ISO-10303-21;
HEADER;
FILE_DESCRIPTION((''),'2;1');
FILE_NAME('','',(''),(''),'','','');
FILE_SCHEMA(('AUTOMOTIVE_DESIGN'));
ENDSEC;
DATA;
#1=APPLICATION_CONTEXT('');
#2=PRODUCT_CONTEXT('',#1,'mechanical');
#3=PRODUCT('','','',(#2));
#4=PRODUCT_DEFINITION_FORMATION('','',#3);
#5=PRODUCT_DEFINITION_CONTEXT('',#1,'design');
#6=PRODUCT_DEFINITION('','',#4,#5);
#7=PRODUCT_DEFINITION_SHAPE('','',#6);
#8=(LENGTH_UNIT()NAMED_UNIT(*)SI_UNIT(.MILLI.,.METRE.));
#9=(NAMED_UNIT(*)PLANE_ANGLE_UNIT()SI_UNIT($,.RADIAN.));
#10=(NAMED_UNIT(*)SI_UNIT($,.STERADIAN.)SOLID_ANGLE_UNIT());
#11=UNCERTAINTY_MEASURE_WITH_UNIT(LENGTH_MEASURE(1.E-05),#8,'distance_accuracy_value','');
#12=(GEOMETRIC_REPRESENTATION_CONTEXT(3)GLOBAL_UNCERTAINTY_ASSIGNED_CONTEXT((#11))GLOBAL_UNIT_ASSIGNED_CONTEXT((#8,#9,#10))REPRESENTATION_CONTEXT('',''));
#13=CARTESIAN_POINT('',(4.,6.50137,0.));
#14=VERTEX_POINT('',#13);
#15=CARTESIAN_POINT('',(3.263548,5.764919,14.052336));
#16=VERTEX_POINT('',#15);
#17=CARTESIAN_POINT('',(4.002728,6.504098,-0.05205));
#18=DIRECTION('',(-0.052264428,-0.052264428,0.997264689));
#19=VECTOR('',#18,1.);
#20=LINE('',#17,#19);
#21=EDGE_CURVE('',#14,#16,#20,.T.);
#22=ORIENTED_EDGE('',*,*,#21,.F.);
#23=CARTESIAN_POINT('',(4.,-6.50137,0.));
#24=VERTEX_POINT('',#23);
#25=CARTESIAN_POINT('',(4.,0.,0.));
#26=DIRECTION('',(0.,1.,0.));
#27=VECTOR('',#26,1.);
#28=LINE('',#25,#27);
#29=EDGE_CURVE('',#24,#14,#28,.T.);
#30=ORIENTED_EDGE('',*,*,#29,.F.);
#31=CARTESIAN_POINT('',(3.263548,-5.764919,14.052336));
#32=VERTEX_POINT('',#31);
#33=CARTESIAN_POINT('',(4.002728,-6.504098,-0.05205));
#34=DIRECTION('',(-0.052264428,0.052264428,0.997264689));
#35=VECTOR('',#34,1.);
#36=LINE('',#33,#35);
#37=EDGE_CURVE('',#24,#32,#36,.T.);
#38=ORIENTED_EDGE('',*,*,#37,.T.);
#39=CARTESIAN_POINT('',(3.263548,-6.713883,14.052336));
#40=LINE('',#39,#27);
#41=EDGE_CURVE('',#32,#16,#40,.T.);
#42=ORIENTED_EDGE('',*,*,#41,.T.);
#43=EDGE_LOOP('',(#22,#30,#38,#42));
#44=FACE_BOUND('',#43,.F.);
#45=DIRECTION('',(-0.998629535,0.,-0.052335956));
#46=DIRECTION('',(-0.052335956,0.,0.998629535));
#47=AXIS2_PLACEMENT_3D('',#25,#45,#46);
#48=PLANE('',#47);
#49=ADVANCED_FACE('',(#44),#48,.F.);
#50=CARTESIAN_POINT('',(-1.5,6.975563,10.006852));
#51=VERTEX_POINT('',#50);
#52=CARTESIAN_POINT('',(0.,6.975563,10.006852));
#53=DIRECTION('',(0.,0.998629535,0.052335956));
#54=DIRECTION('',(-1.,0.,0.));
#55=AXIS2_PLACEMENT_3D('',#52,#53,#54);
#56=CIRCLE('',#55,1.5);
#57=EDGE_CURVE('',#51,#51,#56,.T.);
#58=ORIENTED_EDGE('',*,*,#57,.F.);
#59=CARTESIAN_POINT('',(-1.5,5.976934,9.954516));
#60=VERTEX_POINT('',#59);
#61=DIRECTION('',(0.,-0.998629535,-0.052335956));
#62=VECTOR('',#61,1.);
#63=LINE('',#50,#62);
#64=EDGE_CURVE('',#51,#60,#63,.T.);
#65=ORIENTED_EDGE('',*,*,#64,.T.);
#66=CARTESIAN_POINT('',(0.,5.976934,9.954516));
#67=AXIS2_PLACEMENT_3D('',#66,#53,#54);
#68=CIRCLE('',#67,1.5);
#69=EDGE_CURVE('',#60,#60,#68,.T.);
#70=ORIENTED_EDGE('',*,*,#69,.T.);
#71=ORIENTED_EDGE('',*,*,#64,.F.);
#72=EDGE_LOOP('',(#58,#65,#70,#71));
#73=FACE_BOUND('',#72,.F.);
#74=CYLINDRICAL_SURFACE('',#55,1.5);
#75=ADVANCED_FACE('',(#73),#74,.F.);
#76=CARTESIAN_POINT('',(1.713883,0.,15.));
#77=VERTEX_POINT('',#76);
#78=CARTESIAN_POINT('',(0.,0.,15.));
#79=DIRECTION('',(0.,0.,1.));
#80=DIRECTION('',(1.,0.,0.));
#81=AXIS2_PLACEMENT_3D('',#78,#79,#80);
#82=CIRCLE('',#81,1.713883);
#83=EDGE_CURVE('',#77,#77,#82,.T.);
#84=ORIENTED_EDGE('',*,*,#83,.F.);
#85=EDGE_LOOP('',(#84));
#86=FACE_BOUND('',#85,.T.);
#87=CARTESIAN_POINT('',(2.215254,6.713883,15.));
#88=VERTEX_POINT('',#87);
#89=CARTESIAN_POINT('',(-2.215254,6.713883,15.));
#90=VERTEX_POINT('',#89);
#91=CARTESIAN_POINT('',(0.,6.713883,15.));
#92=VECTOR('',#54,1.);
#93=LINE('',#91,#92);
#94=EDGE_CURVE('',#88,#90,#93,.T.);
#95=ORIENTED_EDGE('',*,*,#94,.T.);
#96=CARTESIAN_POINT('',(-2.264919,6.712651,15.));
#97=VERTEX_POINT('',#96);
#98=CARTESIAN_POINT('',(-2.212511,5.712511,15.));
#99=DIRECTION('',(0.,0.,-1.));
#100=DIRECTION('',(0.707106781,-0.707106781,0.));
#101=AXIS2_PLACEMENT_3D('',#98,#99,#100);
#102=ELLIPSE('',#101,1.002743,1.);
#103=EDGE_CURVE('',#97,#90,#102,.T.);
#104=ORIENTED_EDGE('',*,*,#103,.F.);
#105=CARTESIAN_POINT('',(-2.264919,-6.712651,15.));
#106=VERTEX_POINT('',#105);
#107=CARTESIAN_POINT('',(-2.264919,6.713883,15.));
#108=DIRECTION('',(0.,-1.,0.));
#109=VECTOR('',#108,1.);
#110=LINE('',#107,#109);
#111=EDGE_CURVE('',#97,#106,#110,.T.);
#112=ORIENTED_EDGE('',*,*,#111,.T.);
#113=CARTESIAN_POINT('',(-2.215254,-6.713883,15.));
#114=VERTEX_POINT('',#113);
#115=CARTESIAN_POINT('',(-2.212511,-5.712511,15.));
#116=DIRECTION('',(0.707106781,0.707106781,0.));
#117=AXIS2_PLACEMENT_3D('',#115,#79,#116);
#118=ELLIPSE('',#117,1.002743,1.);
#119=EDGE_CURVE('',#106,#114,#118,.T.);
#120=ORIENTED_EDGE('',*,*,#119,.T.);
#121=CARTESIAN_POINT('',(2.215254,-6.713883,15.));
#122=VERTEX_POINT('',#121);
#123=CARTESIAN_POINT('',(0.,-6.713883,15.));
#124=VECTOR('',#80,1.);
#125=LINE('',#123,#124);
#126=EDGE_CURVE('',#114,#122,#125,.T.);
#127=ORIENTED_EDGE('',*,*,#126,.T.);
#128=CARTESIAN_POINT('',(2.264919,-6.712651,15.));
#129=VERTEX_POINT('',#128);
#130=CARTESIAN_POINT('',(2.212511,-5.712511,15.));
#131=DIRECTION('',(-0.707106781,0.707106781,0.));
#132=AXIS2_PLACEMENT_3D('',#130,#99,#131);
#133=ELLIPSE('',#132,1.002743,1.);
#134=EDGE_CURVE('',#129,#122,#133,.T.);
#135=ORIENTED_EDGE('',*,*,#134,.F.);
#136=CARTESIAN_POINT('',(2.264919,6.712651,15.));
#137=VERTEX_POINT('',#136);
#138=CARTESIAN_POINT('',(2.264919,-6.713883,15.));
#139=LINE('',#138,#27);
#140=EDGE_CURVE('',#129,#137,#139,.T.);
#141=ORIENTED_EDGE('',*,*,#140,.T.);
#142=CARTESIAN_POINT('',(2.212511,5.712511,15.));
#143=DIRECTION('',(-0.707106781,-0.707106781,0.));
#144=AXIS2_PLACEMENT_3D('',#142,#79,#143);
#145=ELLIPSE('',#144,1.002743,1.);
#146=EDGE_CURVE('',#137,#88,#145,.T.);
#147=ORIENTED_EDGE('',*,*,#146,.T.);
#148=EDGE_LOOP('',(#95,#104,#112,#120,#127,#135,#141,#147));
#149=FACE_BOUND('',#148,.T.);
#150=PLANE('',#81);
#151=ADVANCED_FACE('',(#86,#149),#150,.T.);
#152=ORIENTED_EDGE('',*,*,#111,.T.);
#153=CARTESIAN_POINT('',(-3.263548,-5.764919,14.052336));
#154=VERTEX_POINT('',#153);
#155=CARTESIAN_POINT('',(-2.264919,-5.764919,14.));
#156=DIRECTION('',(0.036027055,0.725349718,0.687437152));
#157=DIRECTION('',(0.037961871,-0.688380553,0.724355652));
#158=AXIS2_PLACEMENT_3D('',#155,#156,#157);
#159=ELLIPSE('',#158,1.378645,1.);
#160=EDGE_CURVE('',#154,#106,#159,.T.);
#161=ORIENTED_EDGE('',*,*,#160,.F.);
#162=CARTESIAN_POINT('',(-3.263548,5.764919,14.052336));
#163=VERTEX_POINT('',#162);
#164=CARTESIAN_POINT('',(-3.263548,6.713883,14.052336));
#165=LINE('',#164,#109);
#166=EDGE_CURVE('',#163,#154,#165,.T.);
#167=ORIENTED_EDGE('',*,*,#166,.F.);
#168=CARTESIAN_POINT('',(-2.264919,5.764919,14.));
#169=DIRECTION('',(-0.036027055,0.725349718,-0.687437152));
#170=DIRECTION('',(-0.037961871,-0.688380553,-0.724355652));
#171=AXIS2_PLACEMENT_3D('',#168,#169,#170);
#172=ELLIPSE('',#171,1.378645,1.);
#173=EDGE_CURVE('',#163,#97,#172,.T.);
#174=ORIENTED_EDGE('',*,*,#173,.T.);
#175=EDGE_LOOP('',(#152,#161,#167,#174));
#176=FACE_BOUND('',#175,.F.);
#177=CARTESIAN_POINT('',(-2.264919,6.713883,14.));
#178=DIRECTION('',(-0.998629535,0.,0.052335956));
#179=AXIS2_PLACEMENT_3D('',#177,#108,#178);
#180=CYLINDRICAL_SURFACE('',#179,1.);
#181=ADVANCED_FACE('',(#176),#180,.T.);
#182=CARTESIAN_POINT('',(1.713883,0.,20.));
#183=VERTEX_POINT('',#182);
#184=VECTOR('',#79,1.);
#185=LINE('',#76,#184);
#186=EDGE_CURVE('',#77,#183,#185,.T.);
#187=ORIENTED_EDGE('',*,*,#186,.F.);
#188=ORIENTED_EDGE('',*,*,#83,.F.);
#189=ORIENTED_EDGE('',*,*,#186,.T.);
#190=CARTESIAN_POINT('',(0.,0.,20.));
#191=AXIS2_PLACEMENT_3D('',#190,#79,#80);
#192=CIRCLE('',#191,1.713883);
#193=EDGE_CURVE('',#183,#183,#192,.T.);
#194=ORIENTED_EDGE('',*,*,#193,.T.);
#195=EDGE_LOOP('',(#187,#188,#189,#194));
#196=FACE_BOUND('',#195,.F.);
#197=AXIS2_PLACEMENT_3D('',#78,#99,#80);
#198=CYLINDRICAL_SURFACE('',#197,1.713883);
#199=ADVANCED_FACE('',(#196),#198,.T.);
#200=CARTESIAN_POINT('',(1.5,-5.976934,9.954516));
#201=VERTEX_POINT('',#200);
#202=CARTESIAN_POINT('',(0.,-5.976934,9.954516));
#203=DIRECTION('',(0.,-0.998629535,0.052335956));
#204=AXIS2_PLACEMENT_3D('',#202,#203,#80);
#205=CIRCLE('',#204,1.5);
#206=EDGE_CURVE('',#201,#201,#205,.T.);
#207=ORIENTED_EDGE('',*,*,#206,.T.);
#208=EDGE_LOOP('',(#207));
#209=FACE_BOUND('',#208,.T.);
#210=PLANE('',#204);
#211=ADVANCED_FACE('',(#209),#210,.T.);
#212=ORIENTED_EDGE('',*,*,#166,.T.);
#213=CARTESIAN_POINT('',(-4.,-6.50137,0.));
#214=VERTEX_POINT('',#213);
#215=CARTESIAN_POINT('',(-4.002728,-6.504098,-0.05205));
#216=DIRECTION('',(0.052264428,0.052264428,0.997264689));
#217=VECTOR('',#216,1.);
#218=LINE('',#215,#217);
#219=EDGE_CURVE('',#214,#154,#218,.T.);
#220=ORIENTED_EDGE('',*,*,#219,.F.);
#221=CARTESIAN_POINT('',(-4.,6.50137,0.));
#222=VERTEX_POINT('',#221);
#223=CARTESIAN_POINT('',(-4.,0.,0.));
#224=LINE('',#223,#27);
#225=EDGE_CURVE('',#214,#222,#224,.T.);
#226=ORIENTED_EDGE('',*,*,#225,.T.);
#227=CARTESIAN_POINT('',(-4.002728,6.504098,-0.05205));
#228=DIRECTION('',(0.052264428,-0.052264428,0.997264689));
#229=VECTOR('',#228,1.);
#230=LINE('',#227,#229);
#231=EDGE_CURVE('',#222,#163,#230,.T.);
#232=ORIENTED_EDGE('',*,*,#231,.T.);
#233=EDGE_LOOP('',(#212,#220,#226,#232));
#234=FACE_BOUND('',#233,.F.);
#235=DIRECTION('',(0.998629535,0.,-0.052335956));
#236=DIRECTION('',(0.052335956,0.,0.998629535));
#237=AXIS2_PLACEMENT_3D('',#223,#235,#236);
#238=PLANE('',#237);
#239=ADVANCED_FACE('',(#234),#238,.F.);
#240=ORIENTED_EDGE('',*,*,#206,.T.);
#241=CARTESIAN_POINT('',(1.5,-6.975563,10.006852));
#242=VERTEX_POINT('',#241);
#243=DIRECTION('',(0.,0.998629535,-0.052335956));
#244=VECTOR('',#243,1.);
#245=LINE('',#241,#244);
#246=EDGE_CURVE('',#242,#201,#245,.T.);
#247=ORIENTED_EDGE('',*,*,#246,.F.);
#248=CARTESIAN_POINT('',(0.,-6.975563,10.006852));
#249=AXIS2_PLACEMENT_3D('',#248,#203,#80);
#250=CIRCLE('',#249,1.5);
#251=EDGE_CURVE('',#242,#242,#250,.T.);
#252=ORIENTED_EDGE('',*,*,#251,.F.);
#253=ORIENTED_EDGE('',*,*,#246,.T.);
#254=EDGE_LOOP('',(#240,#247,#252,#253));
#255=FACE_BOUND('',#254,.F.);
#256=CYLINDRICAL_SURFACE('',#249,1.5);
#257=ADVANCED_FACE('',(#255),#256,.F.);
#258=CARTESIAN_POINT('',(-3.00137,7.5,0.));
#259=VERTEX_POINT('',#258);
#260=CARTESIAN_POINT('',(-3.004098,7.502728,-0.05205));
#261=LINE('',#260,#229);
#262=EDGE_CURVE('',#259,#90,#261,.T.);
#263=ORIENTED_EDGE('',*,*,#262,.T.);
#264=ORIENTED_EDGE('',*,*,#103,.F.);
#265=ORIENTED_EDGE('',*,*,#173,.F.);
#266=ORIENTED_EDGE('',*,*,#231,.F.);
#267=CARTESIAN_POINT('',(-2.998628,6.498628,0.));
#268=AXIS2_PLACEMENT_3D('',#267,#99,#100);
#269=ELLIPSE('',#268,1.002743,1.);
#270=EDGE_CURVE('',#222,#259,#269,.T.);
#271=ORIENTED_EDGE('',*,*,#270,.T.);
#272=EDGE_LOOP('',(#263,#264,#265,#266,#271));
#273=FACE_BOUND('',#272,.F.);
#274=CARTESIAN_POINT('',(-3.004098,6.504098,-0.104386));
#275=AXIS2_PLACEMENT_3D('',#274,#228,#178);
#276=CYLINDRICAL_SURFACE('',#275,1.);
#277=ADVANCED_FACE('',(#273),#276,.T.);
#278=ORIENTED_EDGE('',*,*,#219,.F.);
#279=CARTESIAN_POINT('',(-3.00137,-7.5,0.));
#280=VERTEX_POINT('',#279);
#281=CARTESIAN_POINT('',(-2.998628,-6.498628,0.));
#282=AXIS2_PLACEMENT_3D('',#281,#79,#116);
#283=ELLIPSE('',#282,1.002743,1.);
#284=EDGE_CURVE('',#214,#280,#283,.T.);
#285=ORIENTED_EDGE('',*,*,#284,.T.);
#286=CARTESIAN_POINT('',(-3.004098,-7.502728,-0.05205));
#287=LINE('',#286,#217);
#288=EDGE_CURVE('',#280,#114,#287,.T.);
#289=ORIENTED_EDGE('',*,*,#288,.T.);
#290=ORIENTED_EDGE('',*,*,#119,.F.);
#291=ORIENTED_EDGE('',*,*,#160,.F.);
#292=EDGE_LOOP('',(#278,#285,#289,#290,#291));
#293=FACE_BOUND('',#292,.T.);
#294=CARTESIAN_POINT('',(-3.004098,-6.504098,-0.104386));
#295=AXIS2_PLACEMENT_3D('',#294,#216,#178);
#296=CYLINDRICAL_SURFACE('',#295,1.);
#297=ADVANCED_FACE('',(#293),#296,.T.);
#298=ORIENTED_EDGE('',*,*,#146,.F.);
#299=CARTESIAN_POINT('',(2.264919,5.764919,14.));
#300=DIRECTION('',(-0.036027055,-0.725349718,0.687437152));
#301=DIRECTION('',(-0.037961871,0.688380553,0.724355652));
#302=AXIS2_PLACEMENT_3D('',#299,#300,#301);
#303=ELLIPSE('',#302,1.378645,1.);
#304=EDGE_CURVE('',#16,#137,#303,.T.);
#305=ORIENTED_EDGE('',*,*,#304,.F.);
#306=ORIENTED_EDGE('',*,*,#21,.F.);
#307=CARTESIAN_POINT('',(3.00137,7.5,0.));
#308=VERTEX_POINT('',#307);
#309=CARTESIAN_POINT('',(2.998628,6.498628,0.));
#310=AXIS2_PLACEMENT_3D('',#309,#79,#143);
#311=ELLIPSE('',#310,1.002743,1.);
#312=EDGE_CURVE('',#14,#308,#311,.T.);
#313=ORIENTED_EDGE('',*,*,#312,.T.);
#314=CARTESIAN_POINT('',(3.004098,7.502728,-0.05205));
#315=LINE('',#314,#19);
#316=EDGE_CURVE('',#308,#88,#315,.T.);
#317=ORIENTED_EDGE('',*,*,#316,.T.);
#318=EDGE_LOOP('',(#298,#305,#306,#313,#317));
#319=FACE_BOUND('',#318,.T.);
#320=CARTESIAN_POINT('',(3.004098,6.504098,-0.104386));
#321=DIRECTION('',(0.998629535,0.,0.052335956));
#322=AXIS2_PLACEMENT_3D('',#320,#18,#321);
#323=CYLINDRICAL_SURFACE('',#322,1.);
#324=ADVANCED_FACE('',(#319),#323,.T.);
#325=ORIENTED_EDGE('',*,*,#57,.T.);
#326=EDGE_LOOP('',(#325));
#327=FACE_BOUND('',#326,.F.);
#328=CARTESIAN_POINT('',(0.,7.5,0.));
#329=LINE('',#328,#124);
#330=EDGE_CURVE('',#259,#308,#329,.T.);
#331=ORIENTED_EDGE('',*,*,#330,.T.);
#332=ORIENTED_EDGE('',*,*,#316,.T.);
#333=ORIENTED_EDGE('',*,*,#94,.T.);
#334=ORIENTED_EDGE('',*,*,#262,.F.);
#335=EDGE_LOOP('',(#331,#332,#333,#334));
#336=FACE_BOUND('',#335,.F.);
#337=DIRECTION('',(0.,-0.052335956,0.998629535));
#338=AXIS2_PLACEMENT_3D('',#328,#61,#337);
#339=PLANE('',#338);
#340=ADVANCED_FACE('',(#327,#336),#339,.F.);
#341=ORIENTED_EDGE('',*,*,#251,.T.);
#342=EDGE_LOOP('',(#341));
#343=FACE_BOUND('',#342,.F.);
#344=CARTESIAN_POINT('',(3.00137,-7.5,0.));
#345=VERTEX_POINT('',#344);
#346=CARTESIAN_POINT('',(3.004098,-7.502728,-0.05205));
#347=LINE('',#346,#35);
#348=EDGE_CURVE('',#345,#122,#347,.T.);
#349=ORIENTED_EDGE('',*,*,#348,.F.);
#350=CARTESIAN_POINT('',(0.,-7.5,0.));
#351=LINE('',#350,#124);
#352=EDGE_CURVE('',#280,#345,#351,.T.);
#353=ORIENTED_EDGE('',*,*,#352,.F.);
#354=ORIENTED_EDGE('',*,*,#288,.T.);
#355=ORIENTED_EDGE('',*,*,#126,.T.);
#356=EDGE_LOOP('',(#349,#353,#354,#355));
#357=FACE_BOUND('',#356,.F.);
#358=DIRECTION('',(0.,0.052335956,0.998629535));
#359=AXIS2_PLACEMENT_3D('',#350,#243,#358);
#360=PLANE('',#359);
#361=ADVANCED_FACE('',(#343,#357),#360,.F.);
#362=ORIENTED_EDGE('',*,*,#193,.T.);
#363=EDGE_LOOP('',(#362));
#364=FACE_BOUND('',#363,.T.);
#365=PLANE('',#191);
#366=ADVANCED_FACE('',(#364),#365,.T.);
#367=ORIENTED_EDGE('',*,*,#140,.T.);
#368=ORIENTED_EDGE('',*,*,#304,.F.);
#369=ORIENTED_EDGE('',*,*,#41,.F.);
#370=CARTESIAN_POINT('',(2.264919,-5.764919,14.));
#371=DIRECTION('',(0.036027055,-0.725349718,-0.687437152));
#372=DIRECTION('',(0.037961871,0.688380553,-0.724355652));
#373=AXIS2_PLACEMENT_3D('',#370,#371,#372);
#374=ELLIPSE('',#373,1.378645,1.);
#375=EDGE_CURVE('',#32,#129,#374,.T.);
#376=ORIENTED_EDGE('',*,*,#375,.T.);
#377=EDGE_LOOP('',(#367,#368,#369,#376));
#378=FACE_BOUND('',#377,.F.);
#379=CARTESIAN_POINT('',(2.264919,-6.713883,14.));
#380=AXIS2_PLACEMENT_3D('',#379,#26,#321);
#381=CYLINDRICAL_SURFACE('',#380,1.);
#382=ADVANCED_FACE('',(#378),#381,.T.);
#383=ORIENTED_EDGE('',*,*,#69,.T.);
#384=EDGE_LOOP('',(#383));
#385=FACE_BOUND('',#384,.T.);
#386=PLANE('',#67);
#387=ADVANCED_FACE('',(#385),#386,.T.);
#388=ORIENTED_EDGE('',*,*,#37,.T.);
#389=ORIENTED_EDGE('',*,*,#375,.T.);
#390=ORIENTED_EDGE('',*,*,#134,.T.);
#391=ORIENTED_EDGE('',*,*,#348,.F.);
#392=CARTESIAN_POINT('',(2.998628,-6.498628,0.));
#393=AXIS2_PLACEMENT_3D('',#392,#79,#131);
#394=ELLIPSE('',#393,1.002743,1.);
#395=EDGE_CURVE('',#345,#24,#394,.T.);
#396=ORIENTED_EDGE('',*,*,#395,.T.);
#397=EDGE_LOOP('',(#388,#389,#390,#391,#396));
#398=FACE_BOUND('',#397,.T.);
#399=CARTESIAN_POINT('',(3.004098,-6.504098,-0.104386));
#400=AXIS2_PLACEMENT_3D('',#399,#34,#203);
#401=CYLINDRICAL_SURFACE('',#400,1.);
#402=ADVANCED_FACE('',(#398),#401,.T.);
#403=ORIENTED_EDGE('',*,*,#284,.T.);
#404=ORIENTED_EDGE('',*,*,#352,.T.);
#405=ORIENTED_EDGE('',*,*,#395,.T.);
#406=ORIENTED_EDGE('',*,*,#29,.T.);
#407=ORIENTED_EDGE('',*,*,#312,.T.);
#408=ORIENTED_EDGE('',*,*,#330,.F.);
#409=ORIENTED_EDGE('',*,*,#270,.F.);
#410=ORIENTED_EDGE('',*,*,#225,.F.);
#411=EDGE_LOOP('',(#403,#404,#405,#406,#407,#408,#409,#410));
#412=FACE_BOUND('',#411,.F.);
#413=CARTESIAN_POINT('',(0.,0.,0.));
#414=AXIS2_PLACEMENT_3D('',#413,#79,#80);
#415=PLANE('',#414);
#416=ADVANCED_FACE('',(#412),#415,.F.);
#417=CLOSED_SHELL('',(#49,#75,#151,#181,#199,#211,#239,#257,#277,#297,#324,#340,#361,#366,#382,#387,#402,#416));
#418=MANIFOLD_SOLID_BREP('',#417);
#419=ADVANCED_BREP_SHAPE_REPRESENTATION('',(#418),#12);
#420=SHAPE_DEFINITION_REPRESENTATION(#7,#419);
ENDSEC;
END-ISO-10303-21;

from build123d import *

# Parameters (mm, degrees)
F0_W     = 8
F0_H     = 15
F1_DEPTH = 15
F1_TAPER = 3
F2_R     = 1.7138833108
F3_DEPTH = 5
F4_R     = 1.5
F5_DEPTH = 1
F6_R     = 1.5
F7_DEPTH = 1
F8_R     = 1


with BuildPart() as f1:
    # F0 (on Top) → F1 (new body)
    with BuildSketch(Plane.XY):
        Rectangle(F0_W, F0_H)
    extrude(amount=F1_DEPTH, taper=F1_TAPER)

    # F2 (on face) → F3 (join)
    with BuildSketch(Plane.XY.offset(15)):
        Circle(F2_R)
    extrude(amount=F3_DEPTH)

    # F4 (on face) → F5 (cut)
    with BuildSketch(Plane(origin=(0, 7.4794571076, 0.3919817373), x_dir=(-1, 0, 0), z_dir=(0, 0.9986295348, 0.0523359562))):
        with Locations((0, 9.6280655181)):
            Circle(F4_R)
    extrude(amount=-F5_DEPTH, mode=Mode.SUBTRACT)

    # F6 (on face) → F7 (cut)
    with BuildSketch(Plane(origin=(0, -7.4794571076, 0.3919817373), x_dir=(1, 0, 0), z_dir=(0, -0.9986295348, 0.0523359562))):
        with Locations((0, 9.6280655181)):
            Circle(F6_R)
    extrude(amount=-F7_DEPTH, mode=Mode.SUBTRACT)

    # F8
    f8_edges = [f1.edges().sort_by_distance(p)[0] for p in [
        (-3.213883, 0, 15),
        (-3.606942, 7.106942, 7.5),
        (-3.606942, -7.106942, 7.5),
        (3.213883, 0, 15),
        (3.606942, -7.106942, 7.5),
        (3.606942, 7.106942, 7.5),
    ]]
    fillet(f8_edges, radius=F8_R)


solid = f1.part
